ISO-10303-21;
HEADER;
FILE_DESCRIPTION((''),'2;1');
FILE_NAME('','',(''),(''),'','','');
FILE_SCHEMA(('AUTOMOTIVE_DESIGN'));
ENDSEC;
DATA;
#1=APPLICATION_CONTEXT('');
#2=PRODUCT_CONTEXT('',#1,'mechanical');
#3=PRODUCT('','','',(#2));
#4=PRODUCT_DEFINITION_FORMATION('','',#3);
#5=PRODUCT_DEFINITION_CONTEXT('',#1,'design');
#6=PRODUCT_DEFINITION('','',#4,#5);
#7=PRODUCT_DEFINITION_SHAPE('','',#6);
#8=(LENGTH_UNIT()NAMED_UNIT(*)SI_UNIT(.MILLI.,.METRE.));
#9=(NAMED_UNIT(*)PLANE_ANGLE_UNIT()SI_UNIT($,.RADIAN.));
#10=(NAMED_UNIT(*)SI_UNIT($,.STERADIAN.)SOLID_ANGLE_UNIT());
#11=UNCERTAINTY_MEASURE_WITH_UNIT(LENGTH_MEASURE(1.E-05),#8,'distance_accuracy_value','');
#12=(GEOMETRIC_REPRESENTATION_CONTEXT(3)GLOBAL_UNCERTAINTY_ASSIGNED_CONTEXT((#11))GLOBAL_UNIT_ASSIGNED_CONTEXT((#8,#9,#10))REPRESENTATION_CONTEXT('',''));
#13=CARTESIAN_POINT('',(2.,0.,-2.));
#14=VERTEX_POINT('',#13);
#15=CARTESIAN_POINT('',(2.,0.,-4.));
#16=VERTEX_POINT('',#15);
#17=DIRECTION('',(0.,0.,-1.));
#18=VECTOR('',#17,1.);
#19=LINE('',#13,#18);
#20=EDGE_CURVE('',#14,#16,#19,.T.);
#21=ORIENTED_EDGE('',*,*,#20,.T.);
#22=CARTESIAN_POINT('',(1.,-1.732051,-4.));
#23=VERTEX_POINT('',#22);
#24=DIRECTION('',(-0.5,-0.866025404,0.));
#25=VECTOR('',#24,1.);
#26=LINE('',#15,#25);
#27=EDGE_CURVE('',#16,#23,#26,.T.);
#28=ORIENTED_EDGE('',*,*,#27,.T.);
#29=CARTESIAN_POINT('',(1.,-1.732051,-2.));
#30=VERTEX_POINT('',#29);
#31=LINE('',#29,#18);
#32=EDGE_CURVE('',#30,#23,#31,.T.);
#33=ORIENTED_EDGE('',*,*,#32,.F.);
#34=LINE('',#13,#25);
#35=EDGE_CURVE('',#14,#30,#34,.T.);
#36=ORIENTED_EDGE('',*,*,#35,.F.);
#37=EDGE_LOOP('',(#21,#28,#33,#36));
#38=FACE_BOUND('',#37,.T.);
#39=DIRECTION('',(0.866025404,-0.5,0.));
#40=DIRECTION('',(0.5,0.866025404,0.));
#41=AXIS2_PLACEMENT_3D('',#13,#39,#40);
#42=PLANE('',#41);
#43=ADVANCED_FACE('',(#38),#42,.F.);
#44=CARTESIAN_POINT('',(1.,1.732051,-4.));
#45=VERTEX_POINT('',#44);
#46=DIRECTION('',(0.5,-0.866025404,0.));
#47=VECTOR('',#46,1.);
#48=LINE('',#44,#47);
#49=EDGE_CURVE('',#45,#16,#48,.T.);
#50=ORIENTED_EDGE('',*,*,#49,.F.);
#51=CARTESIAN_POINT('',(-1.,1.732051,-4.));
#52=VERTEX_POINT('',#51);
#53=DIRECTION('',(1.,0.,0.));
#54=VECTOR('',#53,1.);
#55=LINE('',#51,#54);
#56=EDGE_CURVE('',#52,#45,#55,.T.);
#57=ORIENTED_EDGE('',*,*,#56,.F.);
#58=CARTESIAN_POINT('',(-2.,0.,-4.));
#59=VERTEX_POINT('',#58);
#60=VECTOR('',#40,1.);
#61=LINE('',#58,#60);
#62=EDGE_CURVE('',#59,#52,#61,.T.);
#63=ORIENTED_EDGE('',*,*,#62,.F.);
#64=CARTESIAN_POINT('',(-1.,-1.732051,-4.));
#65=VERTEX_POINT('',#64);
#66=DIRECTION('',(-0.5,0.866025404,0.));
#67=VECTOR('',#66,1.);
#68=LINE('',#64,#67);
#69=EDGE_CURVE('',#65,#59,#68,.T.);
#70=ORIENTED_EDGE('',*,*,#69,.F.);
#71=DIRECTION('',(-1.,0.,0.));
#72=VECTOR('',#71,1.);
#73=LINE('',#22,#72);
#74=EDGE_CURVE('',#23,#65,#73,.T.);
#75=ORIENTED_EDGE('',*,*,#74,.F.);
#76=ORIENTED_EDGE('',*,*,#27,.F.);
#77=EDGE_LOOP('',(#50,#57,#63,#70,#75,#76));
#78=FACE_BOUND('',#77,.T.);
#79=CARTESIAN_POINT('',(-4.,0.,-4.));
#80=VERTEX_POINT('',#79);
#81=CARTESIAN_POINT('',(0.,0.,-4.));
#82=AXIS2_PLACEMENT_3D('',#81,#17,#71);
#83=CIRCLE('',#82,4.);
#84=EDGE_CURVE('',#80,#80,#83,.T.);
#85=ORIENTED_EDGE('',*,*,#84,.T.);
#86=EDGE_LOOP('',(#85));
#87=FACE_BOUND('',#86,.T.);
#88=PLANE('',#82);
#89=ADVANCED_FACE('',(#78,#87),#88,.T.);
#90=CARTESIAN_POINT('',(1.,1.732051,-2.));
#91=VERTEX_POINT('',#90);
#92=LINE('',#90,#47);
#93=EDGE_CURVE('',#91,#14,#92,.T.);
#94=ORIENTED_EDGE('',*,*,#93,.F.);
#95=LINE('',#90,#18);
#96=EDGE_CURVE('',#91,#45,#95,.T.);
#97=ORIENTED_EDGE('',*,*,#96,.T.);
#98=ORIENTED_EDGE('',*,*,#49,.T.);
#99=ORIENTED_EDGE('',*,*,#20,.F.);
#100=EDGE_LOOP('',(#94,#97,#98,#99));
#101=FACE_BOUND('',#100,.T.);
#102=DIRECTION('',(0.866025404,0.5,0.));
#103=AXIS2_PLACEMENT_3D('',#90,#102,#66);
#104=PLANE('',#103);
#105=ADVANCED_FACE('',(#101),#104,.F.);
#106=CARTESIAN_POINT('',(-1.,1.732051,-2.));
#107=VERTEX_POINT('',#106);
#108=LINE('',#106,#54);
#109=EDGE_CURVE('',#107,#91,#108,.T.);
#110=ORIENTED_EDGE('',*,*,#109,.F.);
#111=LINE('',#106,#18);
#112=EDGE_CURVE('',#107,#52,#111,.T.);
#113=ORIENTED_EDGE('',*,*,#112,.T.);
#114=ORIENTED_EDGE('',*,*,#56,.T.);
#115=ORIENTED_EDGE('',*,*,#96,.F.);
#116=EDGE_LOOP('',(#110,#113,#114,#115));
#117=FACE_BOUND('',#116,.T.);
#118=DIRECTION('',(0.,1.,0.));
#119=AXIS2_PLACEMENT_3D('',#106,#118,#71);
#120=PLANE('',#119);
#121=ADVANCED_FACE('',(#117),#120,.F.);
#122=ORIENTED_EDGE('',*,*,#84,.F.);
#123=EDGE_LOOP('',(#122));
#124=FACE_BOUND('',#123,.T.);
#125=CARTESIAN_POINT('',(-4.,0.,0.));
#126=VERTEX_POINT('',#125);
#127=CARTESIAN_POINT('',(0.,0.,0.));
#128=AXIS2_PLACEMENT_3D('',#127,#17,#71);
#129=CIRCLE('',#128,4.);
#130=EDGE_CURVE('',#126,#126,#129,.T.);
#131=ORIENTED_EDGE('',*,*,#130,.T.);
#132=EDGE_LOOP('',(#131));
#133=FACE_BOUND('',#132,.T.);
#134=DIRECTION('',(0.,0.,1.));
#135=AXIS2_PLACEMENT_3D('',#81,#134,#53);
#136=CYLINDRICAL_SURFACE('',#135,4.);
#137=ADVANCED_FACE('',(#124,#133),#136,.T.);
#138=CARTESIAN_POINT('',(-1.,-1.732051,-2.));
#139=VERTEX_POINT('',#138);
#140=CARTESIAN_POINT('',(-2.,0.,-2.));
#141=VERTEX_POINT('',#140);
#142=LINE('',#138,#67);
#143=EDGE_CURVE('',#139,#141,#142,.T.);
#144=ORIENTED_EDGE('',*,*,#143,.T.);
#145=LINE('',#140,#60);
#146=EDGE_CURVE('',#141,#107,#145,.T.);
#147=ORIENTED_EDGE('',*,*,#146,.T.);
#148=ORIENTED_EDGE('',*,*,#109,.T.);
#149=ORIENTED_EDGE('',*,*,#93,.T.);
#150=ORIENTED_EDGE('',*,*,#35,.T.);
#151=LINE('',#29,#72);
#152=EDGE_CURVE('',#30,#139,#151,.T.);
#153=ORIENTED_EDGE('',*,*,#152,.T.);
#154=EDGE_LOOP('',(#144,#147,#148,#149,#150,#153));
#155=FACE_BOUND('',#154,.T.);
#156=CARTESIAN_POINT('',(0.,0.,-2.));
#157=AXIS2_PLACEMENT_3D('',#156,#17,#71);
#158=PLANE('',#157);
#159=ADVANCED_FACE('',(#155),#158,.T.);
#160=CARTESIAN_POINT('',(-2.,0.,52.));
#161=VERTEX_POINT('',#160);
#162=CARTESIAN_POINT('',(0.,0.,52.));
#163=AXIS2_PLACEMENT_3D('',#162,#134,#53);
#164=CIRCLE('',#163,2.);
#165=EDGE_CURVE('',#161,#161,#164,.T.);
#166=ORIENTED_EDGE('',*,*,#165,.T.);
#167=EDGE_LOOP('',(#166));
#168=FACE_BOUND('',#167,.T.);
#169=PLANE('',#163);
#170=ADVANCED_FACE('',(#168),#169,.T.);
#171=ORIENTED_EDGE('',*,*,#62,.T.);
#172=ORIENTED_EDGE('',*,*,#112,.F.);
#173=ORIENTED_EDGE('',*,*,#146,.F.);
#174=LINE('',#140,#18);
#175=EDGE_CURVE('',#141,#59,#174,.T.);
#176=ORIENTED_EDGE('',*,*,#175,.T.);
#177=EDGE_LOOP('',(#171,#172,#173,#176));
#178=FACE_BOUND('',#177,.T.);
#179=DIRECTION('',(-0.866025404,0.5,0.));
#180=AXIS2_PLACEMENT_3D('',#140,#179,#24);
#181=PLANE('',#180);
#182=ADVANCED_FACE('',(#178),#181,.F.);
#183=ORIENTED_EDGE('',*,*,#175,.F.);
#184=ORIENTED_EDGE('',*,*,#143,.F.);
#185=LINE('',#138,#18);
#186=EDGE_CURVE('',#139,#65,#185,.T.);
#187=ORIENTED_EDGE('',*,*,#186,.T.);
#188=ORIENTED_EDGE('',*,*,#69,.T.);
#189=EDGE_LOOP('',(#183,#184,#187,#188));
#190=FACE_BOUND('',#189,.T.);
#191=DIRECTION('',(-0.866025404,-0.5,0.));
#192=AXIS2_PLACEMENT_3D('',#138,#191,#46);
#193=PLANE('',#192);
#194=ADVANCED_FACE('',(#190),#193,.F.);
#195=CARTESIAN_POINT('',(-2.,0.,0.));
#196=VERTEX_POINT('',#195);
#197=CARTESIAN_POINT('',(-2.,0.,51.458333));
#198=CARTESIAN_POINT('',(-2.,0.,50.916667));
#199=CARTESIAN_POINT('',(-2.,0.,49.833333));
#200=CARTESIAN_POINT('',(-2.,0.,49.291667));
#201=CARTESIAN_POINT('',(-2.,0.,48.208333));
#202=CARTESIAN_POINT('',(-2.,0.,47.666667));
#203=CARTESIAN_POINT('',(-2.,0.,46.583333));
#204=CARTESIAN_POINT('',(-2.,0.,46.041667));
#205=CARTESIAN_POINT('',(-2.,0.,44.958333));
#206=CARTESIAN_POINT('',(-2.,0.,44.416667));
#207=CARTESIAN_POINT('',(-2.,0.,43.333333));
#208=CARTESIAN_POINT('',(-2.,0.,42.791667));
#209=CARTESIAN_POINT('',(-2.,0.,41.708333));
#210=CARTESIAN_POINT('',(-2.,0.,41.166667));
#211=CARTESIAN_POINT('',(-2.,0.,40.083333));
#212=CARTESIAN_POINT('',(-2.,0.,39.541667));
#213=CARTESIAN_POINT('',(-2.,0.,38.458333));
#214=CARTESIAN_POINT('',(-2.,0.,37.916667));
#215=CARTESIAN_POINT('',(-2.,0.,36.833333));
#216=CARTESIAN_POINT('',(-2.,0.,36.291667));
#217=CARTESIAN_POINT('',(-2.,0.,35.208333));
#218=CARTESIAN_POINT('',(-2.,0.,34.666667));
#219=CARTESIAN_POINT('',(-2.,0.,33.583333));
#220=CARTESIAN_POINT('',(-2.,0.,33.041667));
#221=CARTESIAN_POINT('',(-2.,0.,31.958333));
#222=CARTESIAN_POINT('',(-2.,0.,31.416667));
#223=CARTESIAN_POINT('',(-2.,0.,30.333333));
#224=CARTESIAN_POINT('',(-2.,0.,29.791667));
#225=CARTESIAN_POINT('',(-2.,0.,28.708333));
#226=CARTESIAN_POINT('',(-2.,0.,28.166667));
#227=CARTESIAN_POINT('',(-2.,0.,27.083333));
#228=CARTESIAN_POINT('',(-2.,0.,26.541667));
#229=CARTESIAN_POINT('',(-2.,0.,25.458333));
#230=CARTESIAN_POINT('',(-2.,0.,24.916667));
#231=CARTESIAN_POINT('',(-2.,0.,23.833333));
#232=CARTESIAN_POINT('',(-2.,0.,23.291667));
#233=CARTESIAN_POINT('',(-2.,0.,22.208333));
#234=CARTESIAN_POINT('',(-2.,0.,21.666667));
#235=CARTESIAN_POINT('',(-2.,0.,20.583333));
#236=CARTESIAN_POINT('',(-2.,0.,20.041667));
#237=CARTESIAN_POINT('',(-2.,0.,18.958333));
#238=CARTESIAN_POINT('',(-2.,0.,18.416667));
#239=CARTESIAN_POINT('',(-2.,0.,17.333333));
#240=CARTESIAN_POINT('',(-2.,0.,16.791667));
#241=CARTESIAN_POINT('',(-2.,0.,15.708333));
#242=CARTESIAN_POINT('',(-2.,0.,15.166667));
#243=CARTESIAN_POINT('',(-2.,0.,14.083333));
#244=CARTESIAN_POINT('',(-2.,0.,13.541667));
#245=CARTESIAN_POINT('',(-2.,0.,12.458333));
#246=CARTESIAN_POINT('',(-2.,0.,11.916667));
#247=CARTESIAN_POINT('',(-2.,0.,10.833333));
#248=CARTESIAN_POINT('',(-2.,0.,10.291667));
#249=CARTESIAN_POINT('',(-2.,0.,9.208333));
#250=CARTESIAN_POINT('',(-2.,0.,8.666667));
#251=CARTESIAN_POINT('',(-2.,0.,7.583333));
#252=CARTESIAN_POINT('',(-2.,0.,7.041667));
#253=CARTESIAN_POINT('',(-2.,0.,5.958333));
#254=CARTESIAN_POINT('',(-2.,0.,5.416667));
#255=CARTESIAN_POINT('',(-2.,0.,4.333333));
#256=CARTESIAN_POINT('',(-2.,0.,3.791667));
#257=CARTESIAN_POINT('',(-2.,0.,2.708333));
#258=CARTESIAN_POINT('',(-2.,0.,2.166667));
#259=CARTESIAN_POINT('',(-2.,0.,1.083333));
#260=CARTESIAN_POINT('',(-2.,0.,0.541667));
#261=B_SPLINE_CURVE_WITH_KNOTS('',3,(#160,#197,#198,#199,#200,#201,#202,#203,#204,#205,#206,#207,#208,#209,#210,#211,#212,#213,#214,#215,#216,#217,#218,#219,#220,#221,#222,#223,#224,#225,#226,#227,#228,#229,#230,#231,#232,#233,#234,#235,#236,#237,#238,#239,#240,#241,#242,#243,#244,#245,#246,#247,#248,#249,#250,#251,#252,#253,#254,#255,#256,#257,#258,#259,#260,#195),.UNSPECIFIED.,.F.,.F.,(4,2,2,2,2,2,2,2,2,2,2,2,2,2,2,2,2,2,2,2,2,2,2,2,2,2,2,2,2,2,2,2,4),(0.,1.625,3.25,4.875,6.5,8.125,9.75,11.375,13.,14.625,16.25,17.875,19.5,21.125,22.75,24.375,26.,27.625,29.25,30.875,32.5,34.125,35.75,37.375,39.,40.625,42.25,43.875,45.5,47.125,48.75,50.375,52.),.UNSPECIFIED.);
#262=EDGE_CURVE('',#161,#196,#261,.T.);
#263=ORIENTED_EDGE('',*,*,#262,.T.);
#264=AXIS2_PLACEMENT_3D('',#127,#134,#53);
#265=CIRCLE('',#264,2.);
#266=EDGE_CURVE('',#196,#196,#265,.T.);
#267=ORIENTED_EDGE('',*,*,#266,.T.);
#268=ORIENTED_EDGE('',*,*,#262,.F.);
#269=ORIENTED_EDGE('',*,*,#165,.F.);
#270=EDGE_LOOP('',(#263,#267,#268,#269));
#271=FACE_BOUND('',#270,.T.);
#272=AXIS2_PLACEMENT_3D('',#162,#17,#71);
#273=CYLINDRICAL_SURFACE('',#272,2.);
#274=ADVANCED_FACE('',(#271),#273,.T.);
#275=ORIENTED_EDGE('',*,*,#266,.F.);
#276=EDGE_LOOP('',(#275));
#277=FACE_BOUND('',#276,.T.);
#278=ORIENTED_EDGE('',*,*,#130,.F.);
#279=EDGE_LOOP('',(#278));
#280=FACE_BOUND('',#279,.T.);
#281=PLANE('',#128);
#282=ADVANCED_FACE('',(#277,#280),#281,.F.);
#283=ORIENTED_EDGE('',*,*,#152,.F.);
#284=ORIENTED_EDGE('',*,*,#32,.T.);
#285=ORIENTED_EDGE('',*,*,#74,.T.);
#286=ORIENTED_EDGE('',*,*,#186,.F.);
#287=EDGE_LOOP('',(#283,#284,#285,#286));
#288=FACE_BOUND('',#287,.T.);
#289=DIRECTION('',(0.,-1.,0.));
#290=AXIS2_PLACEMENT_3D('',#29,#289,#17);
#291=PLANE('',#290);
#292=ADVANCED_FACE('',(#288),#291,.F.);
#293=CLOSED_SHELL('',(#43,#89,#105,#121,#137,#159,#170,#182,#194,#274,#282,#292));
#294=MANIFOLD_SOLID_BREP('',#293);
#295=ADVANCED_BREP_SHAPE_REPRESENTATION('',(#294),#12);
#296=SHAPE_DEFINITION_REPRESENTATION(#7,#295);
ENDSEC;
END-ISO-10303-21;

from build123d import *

# Parameters (mm, degrees)
SKETCH_1_R          = 2
EXTRUDE_1_DEPTH     = 52
SKETCH_2_R          = 4
EXTRUDE_2_DEPTH     = 4
CUT_EXTRUDE_1_DEPTH = 2


with BuildPart() as part:
    # 草图1 → 凸台-拉伸1 (new body)
    with BuildSketch(Plane.XY):
        with Locations(Location((0, 0, 0), (0, 0, 180))):
            Circle(SKETCH_1_R)
    extrude(amount=EXTRUDE_1_DEPTH)

    # 草图2 → 凸台-拉伸2 (add)
    with BuildSketch(Plane(origin=(0, 0, 0), x_dir=(-1, 0, 0), z_dir=(0, 0, -1))):
        Circle(SKETCH_2_R)
    extrude(amount=EXTRUDE_2_DEPTH)

    # 草图3 → 切除-拉伸1 (cut)
    with BuildSketch(Plane(origin=(0, 0, -4), x_dir=(-1, 0, 0), z_dir=(0, 0, -1))):
        Polygon((2, 0), (1, 1.732050808), (-1, 1.732050808), (-2, 0), (-1, -1.732050808), (1, -1.732050808), align=None)
    extrude(amount=-CUT_EXTRUDE_1_DEPTH, mode=Mode.SUBTRACT)


solid = part.part
